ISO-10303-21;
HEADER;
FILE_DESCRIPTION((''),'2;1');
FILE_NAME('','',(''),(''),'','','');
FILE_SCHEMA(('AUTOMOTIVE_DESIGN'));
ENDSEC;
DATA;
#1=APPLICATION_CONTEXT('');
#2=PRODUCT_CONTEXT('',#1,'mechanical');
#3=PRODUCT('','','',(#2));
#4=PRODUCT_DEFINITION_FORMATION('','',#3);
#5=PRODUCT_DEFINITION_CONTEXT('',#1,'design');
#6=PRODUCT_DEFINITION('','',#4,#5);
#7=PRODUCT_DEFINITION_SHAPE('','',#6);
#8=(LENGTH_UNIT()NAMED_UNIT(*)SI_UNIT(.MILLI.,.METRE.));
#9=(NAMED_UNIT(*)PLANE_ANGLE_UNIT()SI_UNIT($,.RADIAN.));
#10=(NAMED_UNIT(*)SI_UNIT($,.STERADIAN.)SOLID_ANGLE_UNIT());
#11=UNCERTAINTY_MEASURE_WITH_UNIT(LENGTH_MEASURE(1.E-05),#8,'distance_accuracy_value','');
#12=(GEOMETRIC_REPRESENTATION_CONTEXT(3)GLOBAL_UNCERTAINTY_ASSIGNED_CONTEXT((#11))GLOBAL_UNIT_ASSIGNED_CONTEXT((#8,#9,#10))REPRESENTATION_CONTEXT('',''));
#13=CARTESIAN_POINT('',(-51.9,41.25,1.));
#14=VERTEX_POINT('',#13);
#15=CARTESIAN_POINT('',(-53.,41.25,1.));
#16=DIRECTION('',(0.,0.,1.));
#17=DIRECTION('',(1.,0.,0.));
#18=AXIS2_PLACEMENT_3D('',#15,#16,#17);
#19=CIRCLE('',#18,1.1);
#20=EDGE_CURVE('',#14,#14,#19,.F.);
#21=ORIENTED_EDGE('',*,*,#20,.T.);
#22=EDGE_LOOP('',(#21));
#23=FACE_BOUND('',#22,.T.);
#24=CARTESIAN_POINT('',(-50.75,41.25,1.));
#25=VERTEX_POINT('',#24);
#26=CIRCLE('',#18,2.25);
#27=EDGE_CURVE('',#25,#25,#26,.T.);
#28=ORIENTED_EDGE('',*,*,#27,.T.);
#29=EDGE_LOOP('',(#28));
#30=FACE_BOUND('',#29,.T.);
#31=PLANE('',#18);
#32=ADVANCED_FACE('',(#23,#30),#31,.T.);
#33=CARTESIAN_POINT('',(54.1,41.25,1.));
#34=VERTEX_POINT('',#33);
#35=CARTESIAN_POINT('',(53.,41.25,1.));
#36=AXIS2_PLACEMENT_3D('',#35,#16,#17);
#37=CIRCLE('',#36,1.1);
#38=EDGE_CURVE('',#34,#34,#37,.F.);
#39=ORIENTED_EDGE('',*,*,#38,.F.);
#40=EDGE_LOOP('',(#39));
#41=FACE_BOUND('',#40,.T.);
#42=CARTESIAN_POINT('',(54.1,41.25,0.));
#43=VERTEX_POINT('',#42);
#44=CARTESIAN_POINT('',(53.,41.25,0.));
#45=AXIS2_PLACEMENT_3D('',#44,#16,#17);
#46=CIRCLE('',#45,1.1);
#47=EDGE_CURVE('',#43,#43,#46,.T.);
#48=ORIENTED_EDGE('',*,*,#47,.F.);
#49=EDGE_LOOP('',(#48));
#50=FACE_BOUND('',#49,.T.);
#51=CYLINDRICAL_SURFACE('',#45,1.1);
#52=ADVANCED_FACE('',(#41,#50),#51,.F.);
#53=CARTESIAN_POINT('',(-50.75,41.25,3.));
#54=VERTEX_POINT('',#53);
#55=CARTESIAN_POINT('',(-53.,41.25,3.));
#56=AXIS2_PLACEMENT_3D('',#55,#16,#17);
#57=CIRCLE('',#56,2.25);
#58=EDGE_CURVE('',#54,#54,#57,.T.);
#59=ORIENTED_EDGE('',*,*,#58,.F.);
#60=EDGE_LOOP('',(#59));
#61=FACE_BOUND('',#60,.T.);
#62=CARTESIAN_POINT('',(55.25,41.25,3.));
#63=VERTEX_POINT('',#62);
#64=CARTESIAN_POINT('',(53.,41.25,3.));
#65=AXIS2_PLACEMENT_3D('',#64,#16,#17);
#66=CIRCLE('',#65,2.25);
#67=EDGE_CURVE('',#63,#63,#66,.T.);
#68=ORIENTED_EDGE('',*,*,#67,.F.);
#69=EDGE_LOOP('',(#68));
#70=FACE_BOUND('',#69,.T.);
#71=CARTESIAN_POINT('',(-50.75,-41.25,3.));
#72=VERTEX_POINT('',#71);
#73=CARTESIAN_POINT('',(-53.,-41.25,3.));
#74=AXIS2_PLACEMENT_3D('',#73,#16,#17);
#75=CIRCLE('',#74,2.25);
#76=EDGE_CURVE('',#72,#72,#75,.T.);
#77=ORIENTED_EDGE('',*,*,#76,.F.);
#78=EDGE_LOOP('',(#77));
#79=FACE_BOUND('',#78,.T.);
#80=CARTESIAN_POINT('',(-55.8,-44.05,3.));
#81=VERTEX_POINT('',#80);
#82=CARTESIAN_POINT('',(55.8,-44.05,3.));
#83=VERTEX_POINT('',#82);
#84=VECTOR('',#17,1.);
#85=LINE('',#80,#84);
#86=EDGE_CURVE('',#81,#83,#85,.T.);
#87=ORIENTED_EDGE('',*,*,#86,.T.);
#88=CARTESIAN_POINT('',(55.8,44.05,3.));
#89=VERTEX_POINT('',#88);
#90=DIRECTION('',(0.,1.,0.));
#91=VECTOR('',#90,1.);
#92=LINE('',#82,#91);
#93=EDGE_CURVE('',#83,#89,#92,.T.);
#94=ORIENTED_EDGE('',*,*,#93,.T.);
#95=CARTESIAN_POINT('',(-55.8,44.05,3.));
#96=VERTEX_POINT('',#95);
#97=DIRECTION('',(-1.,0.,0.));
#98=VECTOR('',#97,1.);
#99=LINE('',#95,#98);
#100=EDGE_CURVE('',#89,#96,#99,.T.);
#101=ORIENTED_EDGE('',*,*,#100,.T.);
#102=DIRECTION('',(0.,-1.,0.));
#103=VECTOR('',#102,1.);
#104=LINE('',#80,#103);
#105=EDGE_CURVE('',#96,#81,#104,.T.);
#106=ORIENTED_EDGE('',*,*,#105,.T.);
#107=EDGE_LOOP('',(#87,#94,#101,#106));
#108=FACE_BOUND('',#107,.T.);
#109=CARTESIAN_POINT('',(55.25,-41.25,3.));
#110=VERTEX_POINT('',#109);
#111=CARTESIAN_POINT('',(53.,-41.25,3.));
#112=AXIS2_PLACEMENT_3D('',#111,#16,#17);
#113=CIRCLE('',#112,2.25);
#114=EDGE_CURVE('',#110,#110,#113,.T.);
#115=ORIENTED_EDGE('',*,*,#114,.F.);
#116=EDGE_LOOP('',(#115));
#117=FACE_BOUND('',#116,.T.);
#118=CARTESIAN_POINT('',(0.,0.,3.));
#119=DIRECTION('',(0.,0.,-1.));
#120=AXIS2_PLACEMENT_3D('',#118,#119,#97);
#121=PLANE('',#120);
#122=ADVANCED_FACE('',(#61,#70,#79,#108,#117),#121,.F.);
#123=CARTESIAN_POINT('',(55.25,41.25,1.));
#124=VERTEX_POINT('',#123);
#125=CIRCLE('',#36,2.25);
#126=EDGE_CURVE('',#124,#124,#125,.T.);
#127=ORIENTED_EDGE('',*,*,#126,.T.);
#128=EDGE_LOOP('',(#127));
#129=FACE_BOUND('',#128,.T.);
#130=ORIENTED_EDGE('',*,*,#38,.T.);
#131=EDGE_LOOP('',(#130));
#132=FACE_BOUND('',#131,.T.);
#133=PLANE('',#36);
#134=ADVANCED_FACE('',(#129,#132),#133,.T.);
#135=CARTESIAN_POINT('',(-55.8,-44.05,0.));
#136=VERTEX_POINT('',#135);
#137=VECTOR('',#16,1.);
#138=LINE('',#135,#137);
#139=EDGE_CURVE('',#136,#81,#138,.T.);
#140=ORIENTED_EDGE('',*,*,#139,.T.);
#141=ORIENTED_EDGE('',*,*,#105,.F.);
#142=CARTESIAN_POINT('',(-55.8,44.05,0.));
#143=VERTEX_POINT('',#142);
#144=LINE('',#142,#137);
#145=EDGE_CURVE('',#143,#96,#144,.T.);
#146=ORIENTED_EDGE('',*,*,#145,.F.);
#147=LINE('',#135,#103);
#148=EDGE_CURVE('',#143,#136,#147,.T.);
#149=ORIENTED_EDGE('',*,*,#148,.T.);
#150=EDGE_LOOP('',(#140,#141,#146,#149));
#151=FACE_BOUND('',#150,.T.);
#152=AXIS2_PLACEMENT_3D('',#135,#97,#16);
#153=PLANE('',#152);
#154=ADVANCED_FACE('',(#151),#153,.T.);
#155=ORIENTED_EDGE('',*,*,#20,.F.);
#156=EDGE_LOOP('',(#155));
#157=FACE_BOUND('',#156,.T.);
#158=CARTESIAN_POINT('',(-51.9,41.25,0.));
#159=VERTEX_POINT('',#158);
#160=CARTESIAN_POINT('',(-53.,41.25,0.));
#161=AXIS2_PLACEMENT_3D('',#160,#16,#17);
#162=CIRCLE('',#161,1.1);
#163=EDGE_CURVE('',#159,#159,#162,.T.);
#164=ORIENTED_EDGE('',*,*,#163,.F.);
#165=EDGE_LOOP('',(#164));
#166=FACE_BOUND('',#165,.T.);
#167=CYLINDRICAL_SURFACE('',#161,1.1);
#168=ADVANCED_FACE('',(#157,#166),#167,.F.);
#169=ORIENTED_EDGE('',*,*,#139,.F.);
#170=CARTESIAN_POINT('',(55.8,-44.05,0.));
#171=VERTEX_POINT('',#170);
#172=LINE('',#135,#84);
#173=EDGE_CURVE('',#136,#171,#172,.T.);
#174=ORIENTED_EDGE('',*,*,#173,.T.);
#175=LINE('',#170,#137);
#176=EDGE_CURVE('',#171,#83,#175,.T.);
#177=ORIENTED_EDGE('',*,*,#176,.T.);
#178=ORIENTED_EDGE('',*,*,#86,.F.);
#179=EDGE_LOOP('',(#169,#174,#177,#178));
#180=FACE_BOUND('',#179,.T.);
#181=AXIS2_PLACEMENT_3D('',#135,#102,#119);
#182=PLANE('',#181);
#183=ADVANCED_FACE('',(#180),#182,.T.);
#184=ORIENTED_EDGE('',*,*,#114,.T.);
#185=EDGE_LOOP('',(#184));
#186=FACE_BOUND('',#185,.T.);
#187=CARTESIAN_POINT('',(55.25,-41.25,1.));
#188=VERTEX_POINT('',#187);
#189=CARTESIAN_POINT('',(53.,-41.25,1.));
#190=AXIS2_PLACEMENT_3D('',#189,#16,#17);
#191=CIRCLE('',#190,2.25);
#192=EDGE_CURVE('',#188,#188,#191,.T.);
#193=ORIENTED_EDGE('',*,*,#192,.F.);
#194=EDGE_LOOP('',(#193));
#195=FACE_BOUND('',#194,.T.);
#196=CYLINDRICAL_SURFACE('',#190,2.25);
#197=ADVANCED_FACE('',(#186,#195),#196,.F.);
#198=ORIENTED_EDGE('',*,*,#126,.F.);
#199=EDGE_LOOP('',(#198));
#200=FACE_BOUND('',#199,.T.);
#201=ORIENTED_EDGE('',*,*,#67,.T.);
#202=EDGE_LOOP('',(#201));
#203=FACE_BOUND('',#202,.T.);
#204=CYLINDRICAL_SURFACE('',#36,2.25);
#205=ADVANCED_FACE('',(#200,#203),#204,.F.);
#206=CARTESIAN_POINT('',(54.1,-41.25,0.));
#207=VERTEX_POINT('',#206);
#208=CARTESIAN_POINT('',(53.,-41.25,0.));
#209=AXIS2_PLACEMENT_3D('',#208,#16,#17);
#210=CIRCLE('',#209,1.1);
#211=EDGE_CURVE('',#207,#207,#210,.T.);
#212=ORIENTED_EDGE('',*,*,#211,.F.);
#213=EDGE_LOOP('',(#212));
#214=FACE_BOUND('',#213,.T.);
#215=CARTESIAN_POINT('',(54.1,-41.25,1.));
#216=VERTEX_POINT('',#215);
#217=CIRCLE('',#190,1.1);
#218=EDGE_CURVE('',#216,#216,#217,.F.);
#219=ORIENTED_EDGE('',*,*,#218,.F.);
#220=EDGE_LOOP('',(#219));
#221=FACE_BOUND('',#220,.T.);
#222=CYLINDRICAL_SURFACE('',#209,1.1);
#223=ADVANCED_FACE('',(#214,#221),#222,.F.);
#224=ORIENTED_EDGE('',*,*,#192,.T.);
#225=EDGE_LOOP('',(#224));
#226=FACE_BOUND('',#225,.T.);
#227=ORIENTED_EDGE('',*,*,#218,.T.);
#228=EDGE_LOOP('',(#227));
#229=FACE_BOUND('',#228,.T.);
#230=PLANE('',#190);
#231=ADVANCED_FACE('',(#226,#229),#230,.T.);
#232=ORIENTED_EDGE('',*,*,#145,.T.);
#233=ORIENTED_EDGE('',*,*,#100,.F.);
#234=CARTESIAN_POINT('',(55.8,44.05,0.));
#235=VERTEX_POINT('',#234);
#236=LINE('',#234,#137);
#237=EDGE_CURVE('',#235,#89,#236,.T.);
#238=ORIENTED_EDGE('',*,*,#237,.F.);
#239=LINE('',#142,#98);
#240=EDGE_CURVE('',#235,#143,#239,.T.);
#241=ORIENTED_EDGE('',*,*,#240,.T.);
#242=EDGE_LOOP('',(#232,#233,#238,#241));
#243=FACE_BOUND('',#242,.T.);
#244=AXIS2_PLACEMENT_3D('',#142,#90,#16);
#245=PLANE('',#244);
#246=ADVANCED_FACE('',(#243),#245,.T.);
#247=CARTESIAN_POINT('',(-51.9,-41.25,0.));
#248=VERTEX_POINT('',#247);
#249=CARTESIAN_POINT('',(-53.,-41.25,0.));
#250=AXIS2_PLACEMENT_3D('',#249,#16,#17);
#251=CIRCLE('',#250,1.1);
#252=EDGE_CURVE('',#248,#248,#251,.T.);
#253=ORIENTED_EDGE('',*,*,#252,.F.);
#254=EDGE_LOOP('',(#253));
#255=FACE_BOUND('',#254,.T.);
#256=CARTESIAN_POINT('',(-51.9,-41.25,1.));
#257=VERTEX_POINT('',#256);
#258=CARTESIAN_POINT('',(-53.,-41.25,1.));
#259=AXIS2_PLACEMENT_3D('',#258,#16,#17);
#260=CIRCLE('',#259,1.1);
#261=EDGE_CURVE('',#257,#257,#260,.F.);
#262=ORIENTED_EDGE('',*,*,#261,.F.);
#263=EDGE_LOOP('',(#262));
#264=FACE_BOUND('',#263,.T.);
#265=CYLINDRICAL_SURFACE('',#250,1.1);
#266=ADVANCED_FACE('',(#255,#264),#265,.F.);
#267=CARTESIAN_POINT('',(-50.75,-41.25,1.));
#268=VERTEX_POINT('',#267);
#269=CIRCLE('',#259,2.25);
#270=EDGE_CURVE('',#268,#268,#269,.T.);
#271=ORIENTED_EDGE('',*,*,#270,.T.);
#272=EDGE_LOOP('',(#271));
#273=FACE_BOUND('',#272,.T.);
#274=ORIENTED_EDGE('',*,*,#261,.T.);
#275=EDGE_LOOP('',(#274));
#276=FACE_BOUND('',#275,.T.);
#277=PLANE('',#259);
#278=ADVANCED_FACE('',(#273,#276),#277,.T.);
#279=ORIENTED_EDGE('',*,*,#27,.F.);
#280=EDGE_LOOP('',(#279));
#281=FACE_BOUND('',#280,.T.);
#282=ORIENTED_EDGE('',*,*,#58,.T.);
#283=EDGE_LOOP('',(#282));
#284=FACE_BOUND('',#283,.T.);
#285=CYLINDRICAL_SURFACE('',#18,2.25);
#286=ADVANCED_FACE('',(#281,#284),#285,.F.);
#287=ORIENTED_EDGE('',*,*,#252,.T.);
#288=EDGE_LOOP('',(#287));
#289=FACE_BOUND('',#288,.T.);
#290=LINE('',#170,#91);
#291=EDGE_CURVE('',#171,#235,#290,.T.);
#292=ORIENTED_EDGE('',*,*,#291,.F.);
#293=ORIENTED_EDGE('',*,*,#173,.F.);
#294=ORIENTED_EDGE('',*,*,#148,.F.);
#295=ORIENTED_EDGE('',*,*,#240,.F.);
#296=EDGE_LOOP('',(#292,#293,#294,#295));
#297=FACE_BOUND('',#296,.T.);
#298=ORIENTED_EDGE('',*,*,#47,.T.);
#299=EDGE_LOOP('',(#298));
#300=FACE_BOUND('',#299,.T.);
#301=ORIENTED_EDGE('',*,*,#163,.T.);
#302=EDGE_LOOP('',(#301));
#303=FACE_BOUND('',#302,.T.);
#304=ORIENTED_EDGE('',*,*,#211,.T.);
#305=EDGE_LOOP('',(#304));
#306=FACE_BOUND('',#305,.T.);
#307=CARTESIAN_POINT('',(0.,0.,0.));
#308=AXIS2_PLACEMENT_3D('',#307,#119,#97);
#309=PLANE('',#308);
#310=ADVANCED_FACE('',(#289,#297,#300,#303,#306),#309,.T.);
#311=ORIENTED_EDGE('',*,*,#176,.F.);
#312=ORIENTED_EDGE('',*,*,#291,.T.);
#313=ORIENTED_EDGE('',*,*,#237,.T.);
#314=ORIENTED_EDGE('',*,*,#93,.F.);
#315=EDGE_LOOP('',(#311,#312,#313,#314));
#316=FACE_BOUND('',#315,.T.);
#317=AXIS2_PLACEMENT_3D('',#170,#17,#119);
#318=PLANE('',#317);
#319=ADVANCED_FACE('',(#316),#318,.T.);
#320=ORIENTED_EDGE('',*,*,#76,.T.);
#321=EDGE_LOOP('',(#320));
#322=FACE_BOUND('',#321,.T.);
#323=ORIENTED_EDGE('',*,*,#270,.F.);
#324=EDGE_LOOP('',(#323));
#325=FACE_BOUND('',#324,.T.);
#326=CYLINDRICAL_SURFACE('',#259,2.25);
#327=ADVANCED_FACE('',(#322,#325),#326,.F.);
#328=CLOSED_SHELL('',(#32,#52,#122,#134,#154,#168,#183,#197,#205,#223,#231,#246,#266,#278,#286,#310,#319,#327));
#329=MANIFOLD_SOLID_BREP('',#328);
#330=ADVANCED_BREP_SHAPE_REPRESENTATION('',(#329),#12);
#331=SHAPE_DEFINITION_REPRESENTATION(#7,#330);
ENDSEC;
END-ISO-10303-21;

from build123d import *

# Parameters (mm, degrees)
SKETCH1_W           = 112
SKETCH1_H           = 88.5
BOSS_EXTRUDE1_DEPTH = 3
SKETCH2_R           = 1.1
CUT_EXTRUDE1_DEPTH  = 72.435722856
SKETCH3_W           = 112
SKETCH3_H           = 88.5
SKETCH3_W_2         = 111.6
SKETCH3_H_2         = 88.1
CUT_EXTRUDE2_DEPTH  = 72.435722856
SKETCH4_R           = 2.25
CUT_EXTRUDE3_DEPTH  = 2


with BuildPart() as part:
    # Sketch1 → Boss-Extrude1 (new body)
    with BuildSketch(Plane.XY):
        Rectangle(SKETCH1_W, SKETCH1_H)
    extrude(amount=BOSS_EXTRUDE1_DEPTH)

    # Sketch2 → Cut-Extrude1 (cut, through all)
    with BuildSketch(Plane.XY.offset(3)):
        with Locations((-53, 41.25)):
            Circle(SKETCH2_R)
        with Locations((53, 41.25)):
            Circle(SKETCH2_R)
        with Locations((53, -41.25)):
            Circle(SKETCH2_R)
        with Locations((-53, -41.25)):
            Circle(SKETCH2_R)
    extrude(amount=-CUT_EXTRUDE1_DEPTH, mode=Mode.SUBTRACT)

    # Sketch3 → Cut-Extrude2 (cut, through all)
    with BuildSketch(Plane.XY.offset(3)):
        Rectangle(SKETCH3_W, SKETCH3_H)
        Rectangle(SKETCH3_W_2, SKETCH3_H_2, mode=Mode.SUBTRACT)
    extrude(amount=-CUT_EXTRUDE2_DEPTH, mode=Mode.SUBTRACT)

    # Sketch4 → Cut-Extrude3 (cut)
    with BuildSketch(Plane.XY.offset(3)):
        with Locations((-53, 41.25)):
            Circle(SKETCH4_R)
        with Locations((53, 41.25)):
            Circle(SKETCH4_R)
        with Locations((53, -41.25)):
            Circle(SKETCH4_R)
        with Locations((-53, -41.25)):
            Circle(SKETCH4_R)
    extrude(amount=-CUT_EXTRUDE3_DEPTH, mode=Mode.SUBTRACT)


solid = part.part
